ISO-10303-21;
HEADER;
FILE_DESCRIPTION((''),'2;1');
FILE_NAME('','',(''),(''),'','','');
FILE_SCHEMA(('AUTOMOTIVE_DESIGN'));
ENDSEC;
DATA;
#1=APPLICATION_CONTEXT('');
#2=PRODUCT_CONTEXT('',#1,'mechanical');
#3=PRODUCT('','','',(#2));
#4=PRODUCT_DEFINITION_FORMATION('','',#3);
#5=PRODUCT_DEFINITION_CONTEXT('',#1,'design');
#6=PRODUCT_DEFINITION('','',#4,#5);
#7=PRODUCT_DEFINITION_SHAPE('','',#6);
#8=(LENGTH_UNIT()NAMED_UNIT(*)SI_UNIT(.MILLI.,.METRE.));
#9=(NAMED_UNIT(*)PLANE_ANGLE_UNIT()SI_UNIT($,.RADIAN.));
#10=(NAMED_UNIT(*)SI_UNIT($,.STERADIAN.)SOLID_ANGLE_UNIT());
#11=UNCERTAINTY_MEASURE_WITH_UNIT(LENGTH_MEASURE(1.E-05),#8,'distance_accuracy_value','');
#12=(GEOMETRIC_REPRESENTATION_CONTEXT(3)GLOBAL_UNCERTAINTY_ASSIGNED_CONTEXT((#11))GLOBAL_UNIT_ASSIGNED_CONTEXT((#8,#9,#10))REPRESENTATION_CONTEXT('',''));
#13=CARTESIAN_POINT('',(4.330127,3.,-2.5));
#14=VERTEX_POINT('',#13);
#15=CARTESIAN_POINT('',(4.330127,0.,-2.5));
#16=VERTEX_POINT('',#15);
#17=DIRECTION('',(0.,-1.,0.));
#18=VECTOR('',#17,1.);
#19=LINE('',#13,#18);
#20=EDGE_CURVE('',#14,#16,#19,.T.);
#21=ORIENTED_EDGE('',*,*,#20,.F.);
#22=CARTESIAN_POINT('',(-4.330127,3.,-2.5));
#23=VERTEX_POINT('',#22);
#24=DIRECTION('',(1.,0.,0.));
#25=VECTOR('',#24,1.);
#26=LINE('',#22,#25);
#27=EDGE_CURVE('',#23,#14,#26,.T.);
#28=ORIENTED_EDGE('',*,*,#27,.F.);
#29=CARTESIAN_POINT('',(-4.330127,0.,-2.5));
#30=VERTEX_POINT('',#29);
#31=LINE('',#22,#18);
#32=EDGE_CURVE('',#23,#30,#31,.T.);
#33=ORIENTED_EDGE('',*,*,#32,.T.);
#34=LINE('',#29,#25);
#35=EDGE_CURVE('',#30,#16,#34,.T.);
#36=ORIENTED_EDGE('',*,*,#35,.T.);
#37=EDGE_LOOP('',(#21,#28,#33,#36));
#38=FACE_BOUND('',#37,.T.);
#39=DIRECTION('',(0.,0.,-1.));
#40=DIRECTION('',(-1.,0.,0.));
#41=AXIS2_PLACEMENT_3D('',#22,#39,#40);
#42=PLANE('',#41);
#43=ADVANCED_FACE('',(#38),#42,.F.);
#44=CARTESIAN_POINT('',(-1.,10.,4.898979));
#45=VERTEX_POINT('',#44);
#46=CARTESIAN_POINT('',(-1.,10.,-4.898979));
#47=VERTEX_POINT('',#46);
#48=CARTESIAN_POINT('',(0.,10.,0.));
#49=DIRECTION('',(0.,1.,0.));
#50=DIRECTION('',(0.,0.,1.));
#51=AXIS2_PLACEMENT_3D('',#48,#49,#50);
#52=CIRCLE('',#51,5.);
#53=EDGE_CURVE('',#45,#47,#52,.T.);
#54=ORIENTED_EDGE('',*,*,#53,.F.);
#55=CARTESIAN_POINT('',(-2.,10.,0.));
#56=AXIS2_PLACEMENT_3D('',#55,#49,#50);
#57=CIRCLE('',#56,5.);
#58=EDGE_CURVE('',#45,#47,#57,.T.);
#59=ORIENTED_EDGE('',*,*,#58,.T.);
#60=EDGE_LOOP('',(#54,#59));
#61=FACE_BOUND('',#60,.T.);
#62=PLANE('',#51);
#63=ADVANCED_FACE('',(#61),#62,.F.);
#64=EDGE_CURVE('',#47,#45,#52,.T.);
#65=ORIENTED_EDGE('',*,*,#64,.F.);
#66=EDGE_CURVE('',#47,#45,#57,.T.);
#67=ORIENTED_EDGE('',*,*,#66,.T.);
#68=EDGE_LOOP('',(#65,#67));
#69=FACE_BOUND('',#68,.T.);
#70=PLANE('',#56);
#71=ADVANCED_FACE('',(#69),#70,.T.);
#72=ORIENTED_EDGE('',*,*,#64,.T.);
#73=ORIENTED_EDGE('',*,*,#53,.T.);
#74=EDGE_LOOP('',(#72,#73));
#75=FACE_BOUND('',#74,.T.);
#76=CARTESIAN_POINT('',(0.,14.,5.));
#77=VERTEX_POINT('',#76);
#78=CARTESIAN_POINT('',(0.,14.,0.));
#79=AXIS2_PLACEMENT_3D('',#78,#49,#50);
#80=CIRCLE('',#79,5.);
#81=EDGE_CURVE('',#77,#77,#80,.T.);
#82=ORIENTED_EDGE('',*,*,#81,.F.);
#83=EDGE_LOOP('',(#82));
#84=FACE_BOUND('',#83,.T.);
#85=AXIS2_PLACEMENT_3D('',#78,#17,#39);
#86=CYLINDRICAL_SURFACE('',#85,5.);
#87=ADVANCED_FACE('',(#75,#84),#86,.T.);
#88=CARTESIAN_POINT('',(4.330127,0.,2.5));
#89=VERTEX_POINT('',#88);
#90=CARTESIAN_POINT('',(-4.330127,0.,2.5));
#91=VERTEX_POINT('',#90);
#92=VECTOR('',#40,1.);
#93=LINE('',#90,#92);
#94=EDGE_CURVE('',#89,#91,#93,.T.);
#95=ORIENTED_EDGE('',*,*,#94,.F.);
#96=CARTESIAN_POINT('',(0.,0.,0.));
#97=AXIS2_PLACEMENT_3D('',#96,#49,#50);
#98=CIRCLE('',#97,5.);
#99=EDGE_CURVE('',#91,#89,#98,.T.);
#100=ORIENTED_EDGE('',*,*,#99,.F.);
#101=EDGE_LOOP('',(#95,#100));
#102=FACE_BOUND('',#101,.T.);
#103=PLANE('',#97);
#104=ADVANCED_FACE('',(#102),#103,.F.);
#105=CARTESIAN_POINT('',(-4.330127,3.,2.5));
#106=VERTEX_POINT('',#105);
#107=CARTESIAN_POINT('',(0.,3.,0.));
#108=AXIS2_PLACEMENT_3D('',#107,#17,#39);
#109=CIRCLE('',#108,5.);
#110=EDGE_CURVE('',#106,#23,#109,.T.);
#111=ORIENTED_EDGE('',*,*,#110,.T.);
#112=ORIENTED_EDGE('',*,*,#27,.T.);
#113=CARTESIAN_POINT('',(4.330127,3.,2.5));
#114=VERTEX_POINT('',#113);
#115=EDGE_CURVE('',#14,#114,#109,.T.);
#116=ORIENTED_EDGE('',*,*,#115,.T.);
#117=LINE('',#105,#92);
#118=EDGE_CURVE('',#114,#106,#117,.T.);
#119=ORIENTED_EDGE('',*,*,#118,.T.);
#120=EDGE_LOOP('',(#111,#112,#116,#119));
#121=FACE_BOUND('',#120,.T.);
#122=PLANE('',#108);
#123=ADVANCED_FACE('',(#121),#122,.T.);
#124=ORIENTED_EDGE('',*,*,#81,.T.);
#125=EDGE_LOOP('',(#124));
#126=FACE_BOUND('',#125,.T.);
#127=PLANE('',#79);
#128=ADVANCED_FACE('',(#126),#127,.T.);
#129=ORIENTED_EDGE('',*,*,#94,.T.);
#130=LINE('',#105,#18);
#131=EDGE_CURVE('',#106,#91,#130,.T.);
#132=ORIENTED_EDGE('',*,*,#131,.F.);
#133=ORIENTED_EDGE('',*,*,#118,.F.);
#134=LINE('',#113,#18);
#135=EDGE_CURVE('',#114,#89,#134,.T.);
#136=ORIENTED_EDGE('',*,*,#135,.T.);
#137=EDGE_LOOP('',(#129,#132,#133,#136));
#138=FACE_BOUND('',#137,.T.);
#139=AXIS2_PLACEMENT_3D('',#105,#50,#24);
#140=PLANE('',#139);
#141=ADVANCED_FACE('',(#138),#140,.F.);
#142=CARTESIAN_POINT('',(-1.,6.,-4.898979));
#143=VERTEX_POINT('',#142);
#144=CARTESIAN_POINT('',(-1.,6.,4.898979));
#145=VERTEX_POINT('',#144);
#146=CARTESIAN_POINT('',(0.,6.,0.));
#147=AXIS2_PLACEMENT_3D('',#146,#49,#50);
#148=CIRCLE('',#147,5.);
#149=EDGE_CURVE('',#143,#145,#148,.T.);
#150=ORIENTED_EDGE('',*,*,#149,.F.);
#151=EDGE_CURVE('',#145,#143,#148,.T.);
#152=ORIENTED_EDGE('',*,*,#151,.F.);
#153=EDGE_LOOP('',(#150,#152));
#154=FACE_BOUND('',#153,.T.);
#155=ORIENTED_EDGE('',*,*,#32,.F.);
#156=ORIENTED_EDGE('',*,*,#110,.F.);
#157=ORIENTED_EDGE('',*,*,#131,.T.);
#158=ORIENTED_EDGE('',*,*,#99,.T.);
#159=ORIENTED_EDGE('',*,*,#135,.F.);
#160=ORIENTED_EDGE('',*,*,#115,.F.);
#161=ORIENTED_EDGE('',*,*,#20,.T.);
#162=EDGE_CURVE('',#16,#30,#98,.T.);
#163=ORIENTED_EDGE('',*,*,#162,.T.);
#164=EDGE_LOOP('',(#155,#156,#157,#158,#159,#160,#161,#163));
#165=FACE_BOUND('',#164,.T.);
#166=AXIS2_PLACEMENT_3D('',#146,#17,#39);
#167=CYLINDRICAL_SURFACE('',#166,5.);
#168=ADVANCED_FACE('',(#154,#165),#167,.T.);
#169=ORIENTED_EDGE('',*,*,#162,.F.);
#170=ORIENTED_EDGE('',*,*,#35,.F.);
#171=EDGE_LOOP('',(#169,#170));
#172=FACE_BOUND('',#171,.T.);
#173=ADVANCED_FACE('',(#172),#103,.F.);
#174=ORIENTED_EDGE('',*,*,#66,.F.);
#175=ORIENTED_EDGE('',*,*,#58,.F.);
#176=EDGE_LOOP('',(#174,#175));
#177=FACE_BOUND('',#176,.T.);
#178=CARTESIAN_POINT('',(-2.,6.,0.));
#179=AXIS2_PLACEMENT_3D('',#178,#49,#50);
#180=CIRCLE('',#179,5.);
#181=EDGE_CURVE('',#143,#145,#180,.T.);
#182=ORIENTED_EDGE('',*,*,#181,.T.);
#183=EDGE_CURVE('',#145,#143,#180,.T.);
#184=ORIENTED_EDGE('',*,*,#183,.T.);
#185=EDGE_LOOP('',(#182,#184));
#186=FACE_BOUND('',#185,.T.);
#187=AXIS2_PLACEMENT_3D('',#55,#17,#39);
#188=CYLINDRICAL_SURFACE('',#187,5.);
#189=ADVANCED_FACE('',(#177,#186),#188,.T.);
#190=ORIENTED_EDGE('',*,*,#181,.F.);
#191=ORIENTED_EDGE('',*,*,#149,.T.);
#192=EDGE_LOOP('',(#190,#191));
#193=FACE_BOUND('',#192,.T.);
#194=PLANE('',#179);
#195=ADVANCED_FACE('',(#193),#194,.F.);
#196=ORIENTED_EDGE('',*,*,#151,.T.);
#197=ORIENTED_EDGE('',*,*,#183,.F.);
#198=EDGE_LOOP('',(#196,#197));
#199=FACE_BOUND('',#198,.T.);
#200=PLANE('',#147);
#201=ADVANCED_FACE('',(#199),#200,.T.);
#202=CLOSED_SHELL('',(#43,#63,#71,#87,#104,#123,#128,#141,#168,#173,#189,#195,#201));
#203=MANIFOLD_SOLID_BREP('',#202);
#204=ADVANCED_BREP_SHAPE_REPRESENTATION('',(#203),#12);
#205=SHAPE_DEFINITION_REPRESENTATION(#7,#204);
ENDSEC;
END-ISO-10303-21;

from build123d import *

# Parameters (mm, degrees)
SKETCH_1_R          = 5
EXTRUDE_1_DEPTH     = 6
EXTRUDE_START       = 6
SKETCH_1_3_R        = 5
EXTRUDE_2_DEPTH     = 4
EXTRUDE_START_2     = 10
SKETCH_1_4_R        = 5
EXTRUDE_3_DEPTH     = 4
CUT_EXTRUDE_1_DEPTH = 3


with BuildPart() as part:
    # 草图1 → 凸台-拉伸1 (new body)
    with BuildSketch(Plane(origin=(0, 0, 0), x_dir=(1, 0, 0), z_dir=(0, 1, 0))):
        Circle(SKETCH_1_R)
    extrude(amount=EXTRUDE_1_DEPTH)

    # 草图1<3> → 凸台-拉伸2 (add)
    with BuildSketch(Plane(origin=(0, 0, 0), x_dir=(1, 0, 0), z_dir=(0, 1, 0)).offset(EXTRUDE_START)):
        with Locations((-2, 0)):
            Circle(SKETCH_1_3_R)
    extrude(amount=EXTRUDE_2_DEPTH)

    # 草图1<4> → 凸台-拉伸3 (add)
    with BuildSketch(Plane(origin=(0, 0, 0), x_dir=(1, 0, 0), z_dir=(0, 1, 0)).offset(EXTRUDE_START_2)):
        Circle(SKETCH_1_4_R)
    extrude(amount=EXTRUDE_3_DEPTH)

    # 草图2 → 切除-拉伸1 (cut)
    with BuildSketch(Plane.XZ):
        with BuildLine():
            Line((-4.330127019, 2.5), (4.330127019, 2.5))
            ThreePointArc((4.330127019, 2.5), (5, 0), (4.330127019, -2.5))
            Line((4.330127019, -2.5), (-4.330127019, -2.5))
            ThreePointArc((-4.330127019, -2.5), (-5, 0), (-4.330127019, 2.5))
        make_face()
    extrude(amount=-CUT_EXTRUDE_1_DEPTH, mode=Mode.SUBTRACT)


solid = part.part
